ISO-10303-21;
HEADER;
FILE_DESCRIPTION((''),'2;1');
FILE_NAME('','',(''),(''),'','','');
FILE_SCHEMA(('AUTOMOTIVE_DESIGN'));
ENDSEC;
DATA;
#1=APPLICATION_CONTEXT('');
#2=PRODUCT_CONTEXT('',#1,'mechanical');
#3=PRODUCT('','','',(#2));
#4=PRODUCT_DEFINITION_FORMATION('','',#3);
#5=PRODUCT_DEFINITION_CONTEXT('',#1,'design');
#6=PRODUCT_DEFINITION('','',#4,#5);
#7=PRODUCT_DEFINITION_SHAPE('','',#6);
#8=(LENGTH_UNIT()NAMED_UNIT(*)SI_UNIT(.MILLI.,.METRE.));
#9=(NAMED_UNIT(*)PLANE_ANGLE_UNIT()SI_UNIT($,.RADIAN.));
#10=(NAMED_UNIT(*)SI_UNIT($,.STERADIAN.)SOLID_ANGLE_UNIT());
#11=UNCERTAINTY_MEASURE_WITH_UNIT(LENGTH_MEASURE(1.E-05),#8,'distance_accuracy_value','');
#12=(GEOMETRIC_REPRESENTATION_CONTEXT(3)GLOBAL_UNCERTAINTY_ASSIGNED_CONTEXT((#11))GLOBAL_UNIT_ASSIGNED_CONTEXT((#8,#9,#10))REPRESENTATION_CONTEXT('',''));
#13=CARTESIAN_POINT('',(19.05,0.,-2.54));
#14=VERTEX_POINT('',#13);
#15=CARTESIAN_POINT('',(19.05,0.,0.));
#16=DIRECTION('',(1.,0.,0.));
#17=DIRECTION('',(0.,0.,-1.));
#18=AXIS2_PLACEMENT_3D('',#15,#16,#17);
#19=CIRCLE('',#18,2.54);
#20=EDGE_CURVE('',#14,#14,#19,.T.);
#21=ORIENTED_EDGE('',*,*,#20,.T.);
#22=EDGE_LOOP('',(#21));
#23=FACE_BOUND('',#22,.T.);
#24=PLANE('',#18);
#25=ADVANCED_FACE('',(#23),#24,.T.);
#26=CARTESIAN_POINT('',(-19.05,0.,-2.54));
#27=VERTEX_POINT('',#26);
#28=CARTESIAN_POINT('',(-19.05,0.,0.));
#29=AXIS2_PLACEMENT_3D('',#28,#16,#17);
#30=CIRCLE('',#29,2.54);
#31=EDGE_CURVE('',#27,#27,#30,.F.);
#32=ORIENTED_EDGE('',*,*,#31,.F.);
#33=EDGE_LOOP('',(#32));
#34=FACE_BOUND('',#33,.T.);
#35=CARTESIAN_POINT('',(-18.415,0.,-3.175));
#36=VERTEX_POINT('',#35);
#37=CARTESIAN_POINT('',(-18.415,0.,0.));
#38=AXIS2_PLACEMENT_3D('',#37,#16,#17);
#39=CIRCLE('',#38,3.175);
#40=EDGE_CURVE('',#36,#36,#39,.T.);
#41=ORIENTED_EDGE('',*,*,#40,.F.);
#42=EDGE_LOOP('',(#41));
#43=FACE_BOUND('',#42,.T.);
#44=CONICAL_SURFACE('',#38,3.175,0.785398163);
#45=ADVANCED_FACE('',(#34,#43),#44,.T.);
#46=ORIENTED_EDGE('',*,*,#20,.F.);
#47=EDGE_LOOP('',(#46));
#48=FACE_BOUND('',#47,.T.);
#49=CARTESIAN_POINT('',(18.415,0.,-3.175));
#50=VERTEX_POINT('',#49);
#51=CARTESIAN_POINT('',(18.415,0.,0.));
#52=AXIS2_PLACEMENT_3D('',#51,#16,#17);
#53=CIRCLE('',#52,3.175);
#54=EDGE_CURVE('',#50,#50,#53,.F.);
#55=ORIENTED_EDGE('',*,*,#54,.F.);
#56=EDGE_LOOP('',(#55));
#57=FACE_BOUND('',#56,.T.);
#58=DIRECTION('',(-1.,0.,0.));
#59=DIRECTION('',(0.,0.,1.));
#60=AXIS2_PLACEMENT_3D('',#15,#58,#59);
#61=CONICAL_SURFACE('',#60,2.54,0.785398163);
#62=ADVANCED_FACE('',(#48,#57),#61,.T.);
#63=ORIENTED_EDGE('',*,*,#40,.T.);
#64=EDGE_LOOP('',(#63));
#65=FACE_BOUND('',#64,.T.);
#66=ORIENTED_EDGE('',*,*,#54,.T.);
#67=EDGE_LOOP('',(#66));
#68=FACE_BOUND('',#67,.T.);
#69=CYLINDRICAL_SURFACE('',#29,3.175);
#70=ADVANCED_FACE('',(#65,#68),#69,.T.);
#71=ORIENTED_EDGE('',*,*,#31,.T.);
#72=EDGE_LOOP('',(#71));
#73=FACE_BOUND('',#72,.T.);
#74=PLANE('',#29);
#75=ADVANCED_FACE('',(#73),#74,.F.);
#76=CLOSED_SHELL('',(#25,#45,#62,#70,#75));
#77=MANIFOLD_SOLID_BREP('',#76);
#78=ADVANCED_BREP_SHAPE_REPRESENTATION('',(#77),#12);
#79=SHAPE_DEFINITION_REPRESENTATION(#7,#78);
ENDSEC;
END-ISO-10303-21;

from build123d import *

# Parameters (mm, degrees)
EXTRUDE1_DEPTH      = 19.05
EXTRUDE1_DEPTH_BACK = 19.05
SKETCH2_R           = 3.175
CHAMFER1_SIZE       = 0.635


with BuildPart() as part:
    # Sketch2 → Extrude1 (new, two sides: drawn at the far end of the back side and taken through both)
    with BuildSketch(Plane(origin=(0, 0, 0), x_dir=(0, 0, -1), z_dir=(1, 0, 0)).offset(-EXTRUDE1_DEPTH_BACK)):
        Circle(SKETCH2_R)
    extrude(amount=EXTRUDE1_DEPTH + EXTRUDE1_DEPTH_BACK)

    # Chamfer1
    chamfer1_edges = [part.edges().sort_by_distance(p)[0] for p in [
        (-19.05, 0, 3.175),
        (19.05, 0, 3.175),
    ]]
    chamfer(chamfer1_edges, length=CHAMFER1_SIZE)


solid = part.part
